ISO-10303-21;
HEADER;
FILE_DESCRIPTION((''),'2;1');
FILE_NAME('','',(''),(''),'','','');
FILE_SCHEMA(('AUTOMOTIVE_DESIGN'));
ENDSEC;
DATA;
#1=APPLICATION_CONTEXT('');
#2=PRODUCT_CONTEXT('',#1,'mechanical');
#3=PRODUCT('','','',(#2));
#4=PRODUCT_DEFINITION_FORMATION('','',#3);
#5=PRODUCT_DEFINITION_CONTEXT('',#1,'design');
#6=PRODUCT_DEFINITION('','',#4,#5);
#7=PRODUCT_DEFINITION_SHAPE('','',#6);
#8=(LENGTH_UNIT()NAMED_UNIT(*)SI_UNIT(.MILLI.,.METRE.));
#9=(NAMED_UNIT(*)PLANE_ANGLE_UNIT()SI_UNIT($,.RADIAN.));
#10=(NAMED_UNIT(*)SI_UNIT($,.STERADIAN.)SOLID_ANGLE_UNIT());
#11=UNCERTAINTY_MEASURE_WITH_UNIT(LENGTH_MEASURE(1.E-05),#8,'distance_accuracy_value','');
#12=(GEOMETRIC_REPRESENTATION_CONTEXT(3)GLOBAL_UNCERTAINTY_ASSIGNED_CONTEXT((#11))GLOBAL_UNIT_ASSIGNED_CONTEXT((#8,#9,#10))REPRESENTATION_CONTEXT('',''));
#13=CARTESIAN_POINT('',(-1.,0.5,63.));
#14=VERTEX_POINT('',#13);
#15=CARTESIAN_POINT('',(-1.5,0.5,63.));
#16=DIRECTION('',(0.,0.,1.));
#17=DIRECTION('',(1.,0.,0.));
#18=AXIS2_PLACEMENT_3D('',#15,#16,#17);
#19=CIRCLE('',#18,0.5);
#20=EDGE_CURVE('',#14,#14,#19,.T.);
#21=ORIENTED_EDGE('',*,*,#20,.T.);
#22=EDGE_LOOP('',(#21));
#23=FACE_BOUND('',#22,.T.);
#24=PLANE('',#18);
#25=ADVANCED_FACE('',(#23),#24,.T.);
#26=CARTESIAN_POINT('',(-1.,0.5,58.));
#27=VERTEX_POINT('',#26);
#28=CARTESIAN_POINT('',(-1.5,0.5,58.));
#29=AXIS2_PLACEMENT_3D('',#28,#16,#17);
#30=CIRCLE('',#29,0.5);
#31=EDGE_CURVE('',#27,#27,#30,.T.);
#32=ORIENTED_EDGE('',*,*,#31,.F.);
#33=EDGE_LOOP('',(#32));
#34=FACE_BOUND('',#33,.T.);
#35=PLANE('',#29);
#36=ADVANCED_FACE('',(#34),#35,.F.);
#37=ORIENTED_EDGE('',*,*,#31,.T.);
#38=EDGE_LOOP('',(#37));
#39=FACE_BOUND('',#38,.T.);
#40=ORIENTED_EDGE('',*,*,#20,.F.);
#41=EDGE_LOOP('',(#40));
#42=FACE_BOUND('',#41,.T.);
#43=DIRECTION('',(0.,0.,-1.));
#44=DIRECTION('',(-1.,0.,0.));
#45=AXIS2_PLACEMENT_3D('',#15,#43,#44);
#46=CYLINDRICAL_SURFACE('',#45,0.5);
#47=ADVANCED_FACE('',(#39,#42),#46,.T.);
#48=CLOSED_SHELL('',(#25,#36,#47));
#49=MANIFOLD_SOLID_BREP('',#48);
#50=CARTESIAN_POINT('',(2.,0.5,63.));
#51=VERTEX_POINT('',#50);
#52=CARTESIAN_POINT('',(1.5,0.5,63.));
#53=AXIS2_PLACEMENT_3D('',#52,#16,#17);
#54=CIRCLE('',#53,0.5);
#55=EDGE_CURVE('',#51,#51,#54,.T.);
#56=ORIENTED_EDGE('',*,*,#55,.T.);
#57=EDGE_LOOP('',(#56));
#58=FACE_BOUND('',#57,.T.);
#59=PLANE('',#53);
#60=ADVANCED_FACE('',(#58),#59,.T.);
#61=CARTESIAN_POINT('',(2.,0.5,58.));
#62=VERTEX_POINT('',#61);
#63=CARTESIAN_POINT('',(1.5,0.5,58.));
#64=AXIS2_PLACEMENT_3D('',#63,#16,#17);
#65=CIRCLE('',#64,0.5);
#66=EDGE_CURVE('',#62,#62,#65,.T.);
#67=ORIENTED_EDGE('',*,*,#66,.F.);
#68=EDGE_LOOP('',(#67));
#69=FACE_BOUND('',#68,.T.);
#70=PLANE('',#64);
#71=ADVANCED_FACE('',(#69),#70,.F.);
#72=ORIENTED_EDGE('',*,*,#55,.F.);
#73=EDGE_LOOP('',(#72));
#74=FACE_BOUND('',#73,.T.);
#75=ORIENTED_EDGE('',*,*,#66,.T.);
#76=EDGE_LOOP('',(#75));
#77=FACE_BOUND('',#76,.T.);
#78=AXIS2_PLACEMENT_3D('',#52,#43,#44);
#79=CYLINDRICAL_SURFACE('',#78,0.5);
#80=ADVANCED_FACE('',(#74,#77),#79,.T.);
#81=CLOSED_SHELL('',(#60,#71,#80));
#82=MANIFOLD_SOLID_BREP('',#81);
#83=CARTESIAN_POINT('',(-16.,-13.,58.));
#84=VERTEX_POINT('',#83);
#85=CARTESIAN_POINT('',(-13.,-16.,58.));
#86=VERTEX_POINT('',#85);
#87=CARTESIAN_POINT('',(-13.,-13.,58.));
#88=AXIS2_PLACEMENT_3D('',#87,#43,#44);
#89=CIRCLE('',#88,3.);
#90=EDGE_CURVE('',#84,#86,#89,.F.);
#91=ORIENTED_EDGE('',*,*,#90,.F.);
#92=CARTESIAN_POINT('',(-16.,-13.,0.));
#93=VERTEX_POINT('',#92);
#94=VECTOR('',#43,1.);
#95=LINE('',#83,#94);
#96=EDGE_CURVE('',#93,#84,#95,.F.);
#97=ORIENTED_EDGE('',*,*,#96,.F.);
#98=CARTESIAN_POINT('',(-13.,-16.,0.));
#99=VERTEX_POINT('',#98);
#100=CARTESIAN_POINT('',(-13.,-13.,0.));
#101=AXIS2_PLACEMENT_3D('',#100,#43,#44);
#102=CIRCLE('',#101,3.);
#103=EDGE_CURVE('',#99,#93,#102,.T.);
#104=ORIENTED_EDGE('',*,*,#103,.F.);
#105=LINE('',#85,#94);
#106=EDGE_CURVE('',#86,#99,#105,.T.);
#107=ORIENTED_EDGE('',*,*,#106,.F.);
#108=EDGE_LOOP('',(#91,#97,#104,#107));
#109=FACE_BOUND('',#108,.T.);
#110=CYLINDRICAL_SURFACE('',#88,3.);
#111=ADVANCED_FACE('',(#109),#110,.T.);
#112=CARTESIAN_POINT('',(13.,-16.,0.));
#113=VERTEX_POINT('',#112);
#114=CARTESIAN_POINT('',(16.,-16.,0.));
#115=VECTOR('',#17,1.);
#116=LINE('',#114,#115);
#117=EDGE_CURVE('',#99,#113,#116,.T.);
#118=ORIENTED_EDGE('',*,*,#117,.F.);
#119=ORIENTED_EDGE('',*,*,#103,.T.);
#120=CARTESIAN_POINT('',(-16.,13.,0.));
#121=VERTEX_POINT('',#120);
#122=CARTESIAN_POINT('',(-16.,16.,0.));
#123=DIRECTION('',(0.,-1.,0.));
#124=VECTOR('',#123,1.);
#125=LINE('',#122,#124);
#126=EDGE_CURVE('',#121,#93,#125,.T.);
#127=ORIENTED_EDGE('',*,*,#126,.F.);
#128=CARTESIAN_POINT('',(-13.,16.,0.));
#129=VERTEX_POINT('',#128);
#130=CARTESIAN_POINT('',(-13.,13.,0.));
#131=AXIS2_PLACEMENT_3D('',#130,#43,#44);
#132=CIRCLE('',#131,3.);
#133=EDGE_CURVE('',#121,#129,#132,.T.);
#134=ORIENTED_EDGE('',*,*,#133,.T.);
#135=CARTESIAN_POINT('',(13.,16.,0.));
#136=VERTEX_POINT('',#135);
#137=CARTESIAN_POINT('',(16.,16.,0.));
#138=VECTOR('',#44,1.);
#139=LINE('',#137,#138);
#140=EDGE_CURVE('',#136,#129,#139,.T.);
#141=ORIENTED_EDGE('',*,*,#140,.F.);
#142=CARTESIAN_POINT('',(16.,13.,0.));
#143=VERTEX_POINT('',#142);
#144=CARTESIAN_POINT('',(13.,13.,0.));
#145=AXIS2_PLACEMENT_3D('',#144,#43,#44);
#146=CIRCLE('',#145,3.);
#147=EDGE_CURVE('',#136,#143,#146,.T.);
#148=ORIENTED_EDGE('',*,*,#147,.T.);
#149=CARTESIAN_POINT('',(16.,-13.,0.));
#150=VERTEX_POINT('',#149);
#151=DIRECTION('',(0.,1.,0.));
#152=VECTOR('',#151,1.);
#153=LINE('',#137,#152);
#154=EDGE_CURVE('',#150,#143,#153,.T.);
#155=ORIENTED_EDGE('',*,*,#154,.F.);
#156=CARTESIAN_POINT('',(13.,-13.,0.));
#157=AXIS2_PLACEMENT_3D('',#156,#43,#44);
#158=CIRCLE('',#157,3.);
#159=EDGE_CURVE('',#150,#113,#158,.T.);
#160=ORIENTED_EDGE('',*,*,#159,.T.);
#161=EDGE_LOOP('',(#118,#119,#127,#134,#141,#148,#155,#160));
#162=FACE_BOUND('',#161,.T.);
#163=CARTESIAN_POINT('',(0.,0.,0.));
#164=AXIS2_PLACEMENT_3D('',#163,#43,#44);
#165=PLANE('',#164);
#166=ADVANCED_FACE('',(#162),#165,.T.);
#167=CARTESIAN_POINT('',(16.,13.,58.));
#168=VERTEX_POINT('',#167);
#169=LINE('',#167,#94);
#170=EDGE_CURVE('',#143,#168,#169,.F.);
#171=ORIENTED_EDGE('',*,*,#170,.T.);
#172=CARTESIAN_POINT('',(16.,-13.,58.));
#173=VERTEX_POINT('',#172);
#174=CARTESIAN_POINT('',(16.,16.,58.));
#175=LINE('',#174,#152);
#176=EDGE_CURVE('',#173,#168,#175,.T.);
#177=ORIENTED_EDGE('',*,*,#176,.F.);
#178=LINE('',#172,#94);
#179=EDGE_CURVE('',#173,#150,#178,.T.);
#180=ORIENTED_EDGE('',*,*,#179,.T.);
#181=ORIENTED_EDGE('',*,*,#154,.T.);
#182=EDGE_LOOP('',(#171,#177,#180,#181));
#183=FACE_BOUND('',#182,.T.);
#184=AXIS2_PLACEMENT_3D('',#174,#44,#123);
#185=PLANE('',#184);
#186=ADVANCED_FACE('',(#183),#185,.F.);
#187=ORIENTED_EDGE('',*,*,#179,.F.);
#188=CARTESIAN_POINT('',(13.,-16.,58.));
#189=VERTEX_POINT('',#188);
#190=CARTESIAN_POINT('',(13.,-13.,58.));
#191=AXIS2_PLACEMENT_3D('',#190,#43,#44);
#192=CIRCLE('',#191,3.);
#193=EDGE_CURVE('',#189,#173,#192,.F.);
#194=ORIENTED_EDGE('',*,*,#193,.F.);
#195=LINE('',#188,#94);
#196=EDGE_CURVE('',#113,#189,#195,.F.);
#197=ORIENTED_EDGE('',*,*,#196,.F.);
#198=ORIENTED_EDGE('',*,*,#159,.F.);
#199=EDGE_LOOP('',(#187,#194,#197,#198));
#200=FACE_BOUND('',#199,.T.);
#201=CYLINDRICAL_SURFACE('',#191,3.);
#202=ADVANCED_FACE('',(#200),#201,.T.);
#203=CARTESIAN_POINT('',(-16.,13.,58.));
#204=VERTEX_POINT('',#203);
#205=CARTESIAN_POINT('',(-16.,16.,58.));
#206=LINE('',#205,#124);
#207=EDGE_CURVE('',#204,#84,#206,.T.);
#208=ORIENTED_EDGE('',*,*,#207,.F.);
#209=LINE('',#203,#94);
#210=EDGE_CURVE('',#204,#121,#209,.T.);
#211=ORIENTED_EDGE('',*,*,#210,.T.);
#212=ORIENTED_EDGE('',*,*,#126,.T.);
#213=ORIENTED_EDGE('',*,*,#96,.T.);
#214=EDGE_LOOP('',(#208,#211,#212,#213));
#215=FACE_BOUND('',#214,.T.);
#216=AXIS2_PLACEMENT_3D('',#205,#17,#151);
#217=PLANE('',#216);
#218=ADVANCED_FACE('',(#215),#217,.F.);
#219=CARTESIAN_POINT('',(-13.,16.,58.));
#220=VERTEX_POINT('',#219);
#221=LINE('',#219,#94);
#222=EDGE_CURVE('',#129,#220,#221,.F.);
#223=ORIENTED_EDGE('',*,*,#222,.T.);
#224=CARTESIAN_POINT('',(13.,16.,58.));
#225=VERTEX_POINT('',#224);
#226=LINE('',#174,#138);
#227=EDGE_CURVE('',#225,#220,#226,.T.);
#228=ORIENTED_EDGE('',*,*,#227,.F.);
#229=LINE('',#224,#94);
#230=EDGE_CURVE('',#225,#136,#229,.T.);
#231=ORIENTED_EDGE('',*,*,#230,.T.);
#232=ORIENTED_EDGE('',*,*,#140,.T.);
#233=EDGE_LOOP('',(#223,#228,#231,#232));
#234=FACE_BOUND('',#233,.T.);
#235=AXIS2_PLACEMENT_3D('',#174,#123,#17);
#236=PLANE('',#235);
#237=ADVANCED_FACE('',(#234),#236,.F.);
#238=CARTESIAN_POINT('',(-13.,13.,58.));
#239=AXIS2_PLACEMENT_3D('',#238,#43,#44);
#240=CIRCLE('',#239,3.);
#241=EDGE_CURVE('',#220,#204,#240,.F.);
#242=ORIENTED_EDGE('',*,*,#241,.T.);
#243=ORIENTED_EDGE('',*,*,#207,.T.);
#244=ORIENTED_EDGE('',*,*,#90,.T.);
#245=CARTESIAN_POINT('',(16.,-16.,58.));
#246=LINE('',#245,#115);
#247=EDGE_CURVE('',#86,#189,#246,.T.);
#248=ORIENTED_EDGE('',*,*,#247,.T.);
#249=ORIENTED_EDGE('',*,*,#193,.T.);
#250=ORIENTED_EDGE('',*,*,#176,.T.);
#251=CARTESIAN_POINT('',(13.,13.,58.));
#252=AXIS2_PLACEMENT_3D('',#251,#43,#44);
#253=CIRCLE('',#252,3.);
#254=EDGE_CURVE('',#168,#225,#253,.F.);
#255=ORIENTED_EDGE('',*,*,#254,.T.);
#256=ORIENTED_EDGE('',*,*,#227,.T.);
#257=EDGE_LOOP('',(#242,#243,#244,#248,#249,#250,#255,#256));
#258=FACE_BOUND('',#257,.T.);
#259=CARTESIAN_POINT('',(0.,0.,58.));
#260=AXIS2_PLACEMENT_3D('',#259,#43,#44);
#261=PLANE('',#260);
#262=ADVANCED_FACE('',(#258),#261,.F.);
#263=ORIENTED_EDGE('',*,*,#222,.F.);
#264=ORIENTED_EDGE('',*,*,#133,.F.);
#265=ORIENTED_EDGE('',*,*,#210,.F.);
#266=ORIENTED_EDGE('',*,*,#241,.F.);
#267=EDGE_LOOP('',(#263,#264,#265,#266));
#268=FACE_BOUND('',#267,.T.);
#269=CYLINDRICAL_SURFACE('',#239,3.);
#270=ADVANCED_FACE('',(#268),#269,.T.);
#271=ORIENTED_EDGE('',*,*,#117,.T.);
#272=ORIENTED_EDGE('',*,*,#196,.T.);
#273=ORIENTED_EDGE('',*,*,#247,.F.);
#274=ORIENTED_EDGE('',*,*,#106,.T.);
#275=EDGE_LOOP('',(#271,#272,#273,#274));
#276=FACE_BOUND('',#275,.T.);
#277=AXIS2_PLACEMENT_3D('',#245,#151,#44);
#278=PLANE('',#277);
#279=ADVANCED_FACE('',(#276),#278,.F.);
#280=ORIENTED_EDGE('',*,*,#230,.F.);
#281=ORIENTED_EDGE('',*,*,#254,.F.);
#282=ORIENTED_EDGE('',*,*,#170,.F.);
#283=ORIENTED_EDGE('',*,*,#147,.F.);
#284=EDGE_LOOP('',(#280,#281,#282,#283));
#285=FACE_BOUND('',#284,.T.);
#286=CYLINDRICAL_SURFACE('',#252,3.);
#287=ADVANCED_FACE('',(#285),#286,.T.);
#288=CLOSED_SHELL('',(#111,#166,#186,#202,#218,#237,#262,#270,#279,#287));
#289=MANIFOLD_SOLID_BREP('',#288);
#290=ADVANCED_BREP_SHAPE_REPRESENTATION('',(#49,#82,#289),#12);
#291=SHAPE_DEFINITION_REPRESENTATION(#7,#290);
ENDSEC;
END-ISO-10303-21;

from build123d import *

# Parameters (mm, degrees)
SKETCH_1_W        = 32
SKETCH_1_H        = 32
EXTRUDE_1_DEPTH   = 58
FILLET_1_R        = 3
SKETCH_2_R        = 0.5
EXTRUDE_2_DEPTH   = 5
EXTRUDE_2_2_DEPTH = 5


with BuildPart() as part:
    # ｽｹｯﾁ1 → ﾎﾞｽ - 押し出し1 (new body)
    with BuildSketch(Plane.XY):
        Rectangle(SKETCH_1_W, SKETCH_1_H)
    extrude(amount=EXTRUDE_1_DEPTH)

    # ﾌｨﾚｯﾄ1
    fillet_1_edges = [part.edges().sort_by_distance(p)[0] for p in [
        (-16, 16, 29),
        (16, 16, 29),
        (16, -16, 29),
        (-16, -16, 29),
    ]]
    fillet(fillet_1_edges, radius=FILLET_1_R)


with BuildPart() as body_2:
    # ｽｹｯﾁ2 → ﾎﾞｽ - 押し出し2 (new body)
    with BuildSketch(Plane.XY.offset(58)):
        with Locations((-1.5, 0.5)):
            Circle(SKETCH_2_R)
    extrude(amount=EXTRUDE_2_DEPTH)


with BuildPart() as body_3:
    # ｽｹｯﾁ2 → Extrude 2 2 (new body)
    with BuildSketch(Plane.XY.offset(58)):
        with Locations((1.5, 0.5)):
            Circle(SKETCH_2_R)
    extrude(amount=EXTRUDE_2_2_DEPTH)


solid = Compound([part.part, body_2.part, body_3.part])
